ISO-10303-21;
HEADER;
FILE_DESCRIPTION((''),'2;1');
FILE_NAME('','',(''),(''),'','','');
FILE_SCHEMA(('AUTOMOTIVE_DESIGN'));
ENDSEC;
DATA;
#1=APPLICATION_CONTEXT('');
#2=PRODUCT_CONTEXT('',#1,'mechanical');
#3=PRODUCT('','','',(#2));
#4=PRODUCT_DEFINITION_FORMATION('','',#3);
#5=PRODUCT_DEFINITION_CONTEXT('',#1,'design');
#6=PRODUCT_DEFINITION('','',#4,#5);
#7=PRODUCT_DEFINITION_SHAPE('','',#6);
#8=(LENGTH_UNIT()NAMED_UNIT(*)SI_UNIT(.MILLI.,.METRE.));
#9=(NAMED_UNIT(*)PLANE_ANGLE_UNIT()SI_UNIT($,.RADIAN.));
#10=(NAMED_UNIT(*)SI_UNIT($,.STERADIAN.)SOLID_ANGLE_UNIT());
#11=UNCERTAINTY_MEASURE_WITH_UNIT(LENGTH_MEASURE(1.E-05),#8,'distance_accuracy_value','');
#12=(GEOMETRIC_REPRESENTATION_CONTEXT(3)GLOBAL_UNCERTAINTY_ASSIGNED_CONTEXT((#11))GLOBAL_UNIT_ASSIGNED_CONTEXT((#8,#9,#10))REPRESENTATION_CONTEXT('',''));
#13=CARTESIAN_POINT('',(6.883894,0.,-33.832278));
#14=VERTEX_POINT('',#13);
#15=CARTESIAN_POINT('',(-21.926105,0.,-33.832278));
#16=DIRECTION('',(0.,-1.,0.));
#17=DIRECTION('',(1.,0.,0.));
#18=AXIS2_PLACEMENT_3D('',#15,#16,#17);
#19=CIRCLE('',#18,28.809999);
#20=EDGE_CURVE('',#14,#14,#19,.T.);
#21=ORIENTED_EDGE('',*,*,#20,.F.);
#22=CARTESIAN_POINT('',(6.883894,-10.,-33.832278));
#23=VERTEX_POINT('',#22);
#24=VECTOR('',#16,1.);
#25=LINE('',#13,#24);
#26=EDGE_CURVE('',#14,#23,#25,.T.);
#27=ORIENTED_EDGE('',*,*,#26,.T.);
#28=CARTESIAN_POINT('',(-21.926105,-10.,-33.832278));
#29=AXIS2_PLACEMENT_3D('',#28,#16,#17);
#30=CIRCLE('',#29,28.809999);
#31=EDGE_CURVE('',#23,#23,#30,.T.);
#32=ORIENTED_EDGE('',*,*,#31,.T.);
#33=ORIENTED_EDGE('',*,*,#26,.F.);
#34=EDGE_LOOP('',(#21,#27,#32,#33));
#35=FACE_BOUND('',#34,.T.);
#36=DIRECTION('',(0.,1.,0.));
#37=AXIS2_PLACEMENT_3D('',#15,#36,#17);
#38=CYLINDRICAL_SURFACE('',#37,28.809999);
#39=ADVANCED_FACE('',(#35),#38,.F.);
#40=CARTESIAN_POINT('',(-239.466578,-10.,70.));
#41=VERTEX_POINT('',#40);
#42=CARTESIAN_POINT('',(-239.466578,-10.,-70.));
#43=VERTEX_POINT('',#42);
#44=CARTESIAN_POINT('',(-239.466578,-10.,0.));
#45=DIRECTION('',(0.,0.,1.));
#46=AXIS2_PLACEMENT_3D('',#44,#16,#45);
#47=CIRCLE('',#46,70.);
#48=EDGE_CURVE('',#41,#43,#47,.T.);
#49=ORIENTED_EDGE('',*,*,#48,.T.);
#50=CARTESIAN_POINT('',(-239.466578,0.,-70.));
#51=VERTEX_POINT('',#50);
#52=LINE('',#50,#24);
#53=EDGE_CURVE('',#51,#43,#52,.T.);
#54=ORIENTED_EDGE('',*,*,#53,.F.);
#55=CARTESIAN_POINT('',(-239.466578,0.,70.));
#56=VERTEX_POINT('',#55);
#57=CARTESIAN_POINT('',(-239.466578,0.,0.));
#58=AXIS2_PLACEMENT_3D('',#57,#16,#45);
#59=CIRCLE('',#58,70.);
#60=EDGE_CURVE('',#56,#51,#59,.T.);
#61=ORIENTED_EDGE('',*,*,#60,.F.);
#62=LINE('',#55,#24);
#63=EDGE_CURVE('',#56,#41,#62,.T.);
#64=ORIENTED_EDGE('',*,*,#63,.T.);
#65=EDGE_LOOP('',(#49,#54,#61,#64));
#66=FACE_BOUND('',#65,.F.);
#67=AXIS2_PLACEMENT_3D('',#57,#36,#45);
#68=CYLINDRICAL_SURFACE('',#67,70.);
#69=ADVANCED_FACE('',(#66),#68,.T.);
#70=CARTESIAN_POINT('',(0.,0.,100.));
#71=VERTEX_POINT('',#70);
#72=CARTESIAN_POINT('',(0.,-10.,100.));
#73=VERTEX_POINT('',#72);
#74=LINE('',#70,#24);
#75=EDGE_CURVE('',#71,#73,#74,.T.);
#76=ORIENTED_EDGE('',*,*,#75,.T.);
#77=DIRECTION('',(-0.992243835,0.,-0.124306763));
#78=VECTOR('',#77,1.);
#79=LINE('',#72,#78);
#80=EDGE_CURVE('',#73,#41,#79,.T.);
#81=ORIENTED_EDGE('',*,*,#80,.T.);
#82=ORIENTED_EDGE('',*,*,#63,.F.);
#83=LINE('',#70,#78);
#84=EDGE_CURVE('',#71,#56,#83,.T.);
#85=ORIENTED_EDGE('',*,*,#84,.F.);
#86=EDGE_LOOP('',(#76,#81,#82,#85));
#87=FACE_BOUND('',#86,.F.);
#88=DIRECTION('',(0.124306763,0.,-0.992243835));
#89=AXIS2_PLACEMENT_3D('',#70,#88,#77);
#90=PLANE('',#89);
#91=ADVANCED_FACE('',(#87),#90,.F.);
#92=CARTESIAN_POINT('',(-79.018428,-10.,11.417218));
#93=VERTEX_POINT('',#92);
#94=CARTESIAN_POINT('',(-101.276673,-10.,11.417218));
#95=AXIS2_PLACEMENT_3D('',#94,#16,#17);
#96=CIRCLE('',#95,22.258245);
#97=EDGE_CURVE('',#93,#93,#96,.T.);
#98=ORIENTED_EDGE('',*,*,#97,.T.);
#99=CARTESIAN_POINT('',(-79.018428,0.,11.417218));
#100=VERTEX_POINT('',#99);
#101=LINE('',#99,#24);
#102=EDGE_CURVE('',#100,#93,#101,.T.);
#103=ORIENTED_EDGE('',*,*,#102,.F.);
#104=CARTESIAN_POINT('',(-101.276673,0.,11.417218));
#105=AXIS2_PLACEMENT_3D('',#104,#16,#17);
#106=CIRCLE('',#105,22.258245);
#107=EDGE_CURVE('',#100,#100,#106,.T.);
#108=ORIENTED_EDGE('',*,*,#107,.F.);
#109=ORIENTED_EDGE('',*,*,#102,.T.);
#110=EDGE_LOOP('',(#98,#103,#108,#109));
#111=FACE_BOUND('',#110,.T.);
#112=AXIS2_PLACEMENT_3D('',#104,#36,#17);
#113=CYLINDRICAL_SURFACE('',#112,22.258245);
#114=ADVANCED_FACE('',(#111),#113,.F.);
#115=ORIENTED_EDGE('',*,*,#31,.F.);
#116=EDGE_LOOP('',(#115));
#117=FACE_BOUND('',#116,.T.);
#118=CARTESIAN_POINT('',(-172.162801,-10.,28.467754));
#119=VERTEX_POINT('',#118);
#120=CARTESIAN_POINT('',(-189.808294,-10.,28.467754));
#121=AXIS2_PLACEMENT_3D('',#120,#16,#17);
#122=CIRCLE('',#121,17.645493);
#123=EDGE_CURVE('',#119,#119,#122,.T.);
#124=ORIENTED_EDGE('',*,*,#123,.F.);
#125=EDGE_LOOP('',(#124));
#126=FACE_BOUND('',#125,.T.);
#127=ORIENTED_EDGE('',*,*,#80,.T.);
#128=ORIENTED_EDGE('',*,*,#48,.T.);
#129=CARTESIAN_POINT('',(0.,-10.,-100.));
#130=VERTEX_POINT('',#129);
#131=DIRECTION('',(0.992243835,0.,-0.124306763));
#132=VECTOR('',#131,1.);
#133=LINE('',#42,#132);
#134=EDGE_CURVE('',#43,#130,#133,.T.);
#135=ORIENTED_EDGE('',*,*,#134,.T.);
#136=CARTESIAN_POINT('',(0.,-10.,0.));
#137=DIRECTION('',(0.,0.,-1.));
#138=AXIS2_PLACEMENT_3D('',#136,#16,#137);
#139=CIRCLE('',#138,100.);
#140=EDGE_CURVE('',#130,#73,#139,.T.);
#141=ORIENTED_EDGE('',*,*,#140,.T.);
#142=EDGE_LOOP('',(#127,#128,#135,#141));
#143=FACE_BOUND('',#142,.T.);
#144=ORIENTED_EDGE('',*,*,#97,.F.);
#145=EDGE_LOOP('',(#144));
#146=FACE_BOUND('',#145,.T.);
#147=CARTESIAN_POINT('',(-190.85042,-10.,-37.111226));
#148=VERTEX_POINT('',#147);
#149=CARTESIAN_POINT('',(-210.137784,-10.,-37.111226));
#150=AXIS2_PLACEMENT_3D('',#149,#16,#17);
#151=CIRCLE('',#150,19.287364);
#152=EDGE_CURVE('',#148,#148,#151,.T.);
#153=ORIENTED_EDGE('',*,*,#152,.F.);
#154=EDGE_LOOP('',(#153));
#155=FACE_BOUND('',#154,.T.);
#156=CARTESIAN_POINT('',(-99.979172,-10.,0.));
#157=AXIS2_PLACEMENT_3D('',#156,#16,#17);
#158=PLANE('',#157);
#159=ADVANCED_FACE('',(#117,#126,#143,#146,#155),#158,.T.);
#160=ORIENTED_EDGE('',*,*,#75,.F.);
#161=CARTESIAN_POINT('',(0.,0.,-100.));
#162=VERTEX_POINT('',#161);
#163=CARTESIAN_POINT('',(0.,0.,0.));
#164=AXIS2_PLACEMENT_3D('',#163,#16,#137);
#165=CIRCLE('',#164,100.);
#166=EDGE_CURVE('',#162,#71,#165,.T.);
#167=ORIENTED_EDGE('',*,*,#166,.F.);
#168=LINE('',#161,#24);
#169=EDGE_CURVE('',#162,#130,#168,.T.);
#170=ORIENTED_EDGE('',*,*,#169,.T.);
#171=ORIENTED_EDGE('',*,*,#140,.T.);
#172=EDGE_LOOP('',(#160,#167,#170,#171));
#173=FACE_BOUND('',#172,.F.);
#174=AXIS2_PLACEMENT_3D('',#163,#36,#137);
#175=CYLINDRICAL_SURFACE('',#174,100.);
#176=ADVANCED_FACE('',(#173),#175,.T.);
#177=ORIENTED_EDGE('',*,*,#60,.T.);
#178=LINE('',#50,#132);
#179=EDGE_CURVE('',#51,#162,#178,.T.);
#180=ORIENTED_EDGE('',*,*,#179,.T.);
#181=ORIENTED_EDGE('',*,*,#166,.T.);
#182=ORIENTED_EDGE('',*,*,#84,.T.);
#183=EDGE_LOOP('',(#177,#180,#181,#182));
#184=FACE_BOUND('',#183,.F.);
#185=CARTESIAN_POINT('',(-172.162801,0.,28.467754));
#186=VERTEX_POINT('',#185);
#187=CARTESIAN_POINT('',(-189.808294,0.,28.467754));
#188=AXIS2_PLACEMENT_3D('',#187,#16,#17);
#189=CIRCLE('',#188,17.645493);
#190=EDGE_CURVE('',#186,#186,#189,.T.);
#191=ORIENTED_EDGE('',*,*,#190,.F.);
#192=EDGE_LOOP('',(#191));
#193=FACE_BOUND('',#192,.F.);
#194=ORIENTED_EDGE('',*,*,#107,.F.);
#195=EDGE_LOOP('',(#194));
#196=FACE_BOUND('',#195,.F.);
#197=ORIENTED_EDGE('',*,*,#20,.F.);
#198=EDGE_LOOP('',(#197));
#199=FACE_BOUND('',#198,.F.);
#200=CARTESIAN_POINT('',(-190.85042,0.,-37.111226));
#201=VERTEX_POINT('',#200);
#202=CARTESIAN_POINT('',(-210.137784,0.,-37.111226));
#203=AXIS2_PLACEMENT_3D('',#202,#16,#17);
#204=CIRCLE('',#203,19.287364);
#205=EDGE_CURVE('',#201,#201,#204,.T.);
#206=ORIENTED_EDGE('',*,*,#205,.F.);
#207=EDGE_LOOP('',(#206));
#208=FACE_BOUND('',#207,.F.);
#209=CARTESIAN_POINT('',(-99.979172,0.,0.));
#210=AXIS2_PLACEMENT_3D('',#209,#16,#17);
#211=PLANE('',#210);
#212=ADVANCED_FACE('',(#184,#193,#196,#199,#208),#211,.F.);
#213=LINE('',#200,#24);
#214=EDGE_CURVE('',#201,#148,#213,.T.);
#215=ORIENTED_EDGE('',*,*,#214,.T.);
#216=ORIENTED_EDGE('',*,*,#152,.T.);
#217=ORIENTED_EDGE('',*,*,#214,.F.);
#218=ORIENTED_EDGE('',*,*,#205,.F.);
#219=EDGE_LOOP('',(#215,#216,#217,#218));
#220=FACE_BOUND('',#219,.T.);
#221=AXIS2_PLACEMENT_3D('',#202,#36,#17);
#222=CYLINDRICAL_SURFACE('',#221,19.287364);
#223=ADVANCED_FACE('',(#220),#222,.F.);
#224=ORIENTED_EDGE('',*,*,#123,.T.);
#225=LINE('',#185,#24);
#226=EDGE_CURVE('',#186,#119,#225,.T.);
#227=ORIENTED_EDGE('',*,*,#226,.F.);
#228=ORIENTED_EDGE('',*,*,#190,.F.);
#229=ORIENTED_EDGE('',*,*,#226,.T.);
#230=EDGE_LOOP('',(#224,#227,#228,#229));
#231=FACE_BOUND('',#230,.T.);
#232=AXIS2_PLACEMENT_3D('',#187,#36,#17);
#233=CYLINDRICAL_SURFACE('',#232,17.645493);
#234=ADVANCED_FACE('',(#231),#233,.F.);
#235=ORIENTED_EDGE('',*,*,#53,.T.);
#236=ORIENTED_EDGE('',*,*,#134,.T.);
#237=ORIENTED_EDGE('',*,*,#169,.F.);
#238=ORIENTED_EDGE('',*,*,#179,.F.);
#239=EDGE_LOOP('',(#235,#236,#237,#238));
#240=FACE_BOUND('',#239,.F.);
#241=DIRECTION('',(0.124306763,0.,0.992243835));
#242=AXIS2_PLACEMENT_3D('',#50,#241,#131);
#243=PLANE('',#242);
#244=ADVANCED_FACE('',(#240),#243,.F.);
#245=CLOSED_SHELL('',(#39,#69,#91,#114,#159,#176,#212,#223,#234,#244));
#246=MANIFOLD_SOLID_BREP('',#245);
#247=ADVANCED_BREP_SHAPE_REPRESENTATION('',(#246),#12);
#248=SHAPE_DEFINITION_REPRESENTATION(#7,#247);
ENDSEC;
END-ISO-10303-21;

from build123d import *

# Parameters (mm, degrees)
F0_R     = 19.287364
F0_R_2   = 28.809999
F0_R_3   = 17.645493
F0_R_4   = 22.258245
F1_DEPTH = 10


with BuildPart() as f1:
    # F0 (on Front) → F1 (new body)
    with BuildSketch(Plane.XZ):
        with BuildLine():
            Line((-239.466578, -70), (0, -100))
            ThreePointArc((0, -100), (100, 0), (0, 100))
            Line((0, 100), (-239.466578, 70))
            ThreePointArc((-239.466578, 70), (-309.466578, 0), (-239.466578, -70))
        make_face()
        with Locations((-210.137784, -37.111226)):
            Circle(F0_R, mode=Mode.SUBTRACT)
        with Locations((-21.926105, -33.832278)):
            Circle(F0_R_2, mode=Mode.SUBTRACT)
        with Locations((-189.808294, 28.467754)):
            Circle(F0_R_3, mode=Mode.SUBTRACT)
        with Locations((-101.276673, 11.417218)):
            Circle(F0_R_4, mode=Mode.SUBTRACT)
    extrude(amount=F1_DEPTH)


solid = f1.part
